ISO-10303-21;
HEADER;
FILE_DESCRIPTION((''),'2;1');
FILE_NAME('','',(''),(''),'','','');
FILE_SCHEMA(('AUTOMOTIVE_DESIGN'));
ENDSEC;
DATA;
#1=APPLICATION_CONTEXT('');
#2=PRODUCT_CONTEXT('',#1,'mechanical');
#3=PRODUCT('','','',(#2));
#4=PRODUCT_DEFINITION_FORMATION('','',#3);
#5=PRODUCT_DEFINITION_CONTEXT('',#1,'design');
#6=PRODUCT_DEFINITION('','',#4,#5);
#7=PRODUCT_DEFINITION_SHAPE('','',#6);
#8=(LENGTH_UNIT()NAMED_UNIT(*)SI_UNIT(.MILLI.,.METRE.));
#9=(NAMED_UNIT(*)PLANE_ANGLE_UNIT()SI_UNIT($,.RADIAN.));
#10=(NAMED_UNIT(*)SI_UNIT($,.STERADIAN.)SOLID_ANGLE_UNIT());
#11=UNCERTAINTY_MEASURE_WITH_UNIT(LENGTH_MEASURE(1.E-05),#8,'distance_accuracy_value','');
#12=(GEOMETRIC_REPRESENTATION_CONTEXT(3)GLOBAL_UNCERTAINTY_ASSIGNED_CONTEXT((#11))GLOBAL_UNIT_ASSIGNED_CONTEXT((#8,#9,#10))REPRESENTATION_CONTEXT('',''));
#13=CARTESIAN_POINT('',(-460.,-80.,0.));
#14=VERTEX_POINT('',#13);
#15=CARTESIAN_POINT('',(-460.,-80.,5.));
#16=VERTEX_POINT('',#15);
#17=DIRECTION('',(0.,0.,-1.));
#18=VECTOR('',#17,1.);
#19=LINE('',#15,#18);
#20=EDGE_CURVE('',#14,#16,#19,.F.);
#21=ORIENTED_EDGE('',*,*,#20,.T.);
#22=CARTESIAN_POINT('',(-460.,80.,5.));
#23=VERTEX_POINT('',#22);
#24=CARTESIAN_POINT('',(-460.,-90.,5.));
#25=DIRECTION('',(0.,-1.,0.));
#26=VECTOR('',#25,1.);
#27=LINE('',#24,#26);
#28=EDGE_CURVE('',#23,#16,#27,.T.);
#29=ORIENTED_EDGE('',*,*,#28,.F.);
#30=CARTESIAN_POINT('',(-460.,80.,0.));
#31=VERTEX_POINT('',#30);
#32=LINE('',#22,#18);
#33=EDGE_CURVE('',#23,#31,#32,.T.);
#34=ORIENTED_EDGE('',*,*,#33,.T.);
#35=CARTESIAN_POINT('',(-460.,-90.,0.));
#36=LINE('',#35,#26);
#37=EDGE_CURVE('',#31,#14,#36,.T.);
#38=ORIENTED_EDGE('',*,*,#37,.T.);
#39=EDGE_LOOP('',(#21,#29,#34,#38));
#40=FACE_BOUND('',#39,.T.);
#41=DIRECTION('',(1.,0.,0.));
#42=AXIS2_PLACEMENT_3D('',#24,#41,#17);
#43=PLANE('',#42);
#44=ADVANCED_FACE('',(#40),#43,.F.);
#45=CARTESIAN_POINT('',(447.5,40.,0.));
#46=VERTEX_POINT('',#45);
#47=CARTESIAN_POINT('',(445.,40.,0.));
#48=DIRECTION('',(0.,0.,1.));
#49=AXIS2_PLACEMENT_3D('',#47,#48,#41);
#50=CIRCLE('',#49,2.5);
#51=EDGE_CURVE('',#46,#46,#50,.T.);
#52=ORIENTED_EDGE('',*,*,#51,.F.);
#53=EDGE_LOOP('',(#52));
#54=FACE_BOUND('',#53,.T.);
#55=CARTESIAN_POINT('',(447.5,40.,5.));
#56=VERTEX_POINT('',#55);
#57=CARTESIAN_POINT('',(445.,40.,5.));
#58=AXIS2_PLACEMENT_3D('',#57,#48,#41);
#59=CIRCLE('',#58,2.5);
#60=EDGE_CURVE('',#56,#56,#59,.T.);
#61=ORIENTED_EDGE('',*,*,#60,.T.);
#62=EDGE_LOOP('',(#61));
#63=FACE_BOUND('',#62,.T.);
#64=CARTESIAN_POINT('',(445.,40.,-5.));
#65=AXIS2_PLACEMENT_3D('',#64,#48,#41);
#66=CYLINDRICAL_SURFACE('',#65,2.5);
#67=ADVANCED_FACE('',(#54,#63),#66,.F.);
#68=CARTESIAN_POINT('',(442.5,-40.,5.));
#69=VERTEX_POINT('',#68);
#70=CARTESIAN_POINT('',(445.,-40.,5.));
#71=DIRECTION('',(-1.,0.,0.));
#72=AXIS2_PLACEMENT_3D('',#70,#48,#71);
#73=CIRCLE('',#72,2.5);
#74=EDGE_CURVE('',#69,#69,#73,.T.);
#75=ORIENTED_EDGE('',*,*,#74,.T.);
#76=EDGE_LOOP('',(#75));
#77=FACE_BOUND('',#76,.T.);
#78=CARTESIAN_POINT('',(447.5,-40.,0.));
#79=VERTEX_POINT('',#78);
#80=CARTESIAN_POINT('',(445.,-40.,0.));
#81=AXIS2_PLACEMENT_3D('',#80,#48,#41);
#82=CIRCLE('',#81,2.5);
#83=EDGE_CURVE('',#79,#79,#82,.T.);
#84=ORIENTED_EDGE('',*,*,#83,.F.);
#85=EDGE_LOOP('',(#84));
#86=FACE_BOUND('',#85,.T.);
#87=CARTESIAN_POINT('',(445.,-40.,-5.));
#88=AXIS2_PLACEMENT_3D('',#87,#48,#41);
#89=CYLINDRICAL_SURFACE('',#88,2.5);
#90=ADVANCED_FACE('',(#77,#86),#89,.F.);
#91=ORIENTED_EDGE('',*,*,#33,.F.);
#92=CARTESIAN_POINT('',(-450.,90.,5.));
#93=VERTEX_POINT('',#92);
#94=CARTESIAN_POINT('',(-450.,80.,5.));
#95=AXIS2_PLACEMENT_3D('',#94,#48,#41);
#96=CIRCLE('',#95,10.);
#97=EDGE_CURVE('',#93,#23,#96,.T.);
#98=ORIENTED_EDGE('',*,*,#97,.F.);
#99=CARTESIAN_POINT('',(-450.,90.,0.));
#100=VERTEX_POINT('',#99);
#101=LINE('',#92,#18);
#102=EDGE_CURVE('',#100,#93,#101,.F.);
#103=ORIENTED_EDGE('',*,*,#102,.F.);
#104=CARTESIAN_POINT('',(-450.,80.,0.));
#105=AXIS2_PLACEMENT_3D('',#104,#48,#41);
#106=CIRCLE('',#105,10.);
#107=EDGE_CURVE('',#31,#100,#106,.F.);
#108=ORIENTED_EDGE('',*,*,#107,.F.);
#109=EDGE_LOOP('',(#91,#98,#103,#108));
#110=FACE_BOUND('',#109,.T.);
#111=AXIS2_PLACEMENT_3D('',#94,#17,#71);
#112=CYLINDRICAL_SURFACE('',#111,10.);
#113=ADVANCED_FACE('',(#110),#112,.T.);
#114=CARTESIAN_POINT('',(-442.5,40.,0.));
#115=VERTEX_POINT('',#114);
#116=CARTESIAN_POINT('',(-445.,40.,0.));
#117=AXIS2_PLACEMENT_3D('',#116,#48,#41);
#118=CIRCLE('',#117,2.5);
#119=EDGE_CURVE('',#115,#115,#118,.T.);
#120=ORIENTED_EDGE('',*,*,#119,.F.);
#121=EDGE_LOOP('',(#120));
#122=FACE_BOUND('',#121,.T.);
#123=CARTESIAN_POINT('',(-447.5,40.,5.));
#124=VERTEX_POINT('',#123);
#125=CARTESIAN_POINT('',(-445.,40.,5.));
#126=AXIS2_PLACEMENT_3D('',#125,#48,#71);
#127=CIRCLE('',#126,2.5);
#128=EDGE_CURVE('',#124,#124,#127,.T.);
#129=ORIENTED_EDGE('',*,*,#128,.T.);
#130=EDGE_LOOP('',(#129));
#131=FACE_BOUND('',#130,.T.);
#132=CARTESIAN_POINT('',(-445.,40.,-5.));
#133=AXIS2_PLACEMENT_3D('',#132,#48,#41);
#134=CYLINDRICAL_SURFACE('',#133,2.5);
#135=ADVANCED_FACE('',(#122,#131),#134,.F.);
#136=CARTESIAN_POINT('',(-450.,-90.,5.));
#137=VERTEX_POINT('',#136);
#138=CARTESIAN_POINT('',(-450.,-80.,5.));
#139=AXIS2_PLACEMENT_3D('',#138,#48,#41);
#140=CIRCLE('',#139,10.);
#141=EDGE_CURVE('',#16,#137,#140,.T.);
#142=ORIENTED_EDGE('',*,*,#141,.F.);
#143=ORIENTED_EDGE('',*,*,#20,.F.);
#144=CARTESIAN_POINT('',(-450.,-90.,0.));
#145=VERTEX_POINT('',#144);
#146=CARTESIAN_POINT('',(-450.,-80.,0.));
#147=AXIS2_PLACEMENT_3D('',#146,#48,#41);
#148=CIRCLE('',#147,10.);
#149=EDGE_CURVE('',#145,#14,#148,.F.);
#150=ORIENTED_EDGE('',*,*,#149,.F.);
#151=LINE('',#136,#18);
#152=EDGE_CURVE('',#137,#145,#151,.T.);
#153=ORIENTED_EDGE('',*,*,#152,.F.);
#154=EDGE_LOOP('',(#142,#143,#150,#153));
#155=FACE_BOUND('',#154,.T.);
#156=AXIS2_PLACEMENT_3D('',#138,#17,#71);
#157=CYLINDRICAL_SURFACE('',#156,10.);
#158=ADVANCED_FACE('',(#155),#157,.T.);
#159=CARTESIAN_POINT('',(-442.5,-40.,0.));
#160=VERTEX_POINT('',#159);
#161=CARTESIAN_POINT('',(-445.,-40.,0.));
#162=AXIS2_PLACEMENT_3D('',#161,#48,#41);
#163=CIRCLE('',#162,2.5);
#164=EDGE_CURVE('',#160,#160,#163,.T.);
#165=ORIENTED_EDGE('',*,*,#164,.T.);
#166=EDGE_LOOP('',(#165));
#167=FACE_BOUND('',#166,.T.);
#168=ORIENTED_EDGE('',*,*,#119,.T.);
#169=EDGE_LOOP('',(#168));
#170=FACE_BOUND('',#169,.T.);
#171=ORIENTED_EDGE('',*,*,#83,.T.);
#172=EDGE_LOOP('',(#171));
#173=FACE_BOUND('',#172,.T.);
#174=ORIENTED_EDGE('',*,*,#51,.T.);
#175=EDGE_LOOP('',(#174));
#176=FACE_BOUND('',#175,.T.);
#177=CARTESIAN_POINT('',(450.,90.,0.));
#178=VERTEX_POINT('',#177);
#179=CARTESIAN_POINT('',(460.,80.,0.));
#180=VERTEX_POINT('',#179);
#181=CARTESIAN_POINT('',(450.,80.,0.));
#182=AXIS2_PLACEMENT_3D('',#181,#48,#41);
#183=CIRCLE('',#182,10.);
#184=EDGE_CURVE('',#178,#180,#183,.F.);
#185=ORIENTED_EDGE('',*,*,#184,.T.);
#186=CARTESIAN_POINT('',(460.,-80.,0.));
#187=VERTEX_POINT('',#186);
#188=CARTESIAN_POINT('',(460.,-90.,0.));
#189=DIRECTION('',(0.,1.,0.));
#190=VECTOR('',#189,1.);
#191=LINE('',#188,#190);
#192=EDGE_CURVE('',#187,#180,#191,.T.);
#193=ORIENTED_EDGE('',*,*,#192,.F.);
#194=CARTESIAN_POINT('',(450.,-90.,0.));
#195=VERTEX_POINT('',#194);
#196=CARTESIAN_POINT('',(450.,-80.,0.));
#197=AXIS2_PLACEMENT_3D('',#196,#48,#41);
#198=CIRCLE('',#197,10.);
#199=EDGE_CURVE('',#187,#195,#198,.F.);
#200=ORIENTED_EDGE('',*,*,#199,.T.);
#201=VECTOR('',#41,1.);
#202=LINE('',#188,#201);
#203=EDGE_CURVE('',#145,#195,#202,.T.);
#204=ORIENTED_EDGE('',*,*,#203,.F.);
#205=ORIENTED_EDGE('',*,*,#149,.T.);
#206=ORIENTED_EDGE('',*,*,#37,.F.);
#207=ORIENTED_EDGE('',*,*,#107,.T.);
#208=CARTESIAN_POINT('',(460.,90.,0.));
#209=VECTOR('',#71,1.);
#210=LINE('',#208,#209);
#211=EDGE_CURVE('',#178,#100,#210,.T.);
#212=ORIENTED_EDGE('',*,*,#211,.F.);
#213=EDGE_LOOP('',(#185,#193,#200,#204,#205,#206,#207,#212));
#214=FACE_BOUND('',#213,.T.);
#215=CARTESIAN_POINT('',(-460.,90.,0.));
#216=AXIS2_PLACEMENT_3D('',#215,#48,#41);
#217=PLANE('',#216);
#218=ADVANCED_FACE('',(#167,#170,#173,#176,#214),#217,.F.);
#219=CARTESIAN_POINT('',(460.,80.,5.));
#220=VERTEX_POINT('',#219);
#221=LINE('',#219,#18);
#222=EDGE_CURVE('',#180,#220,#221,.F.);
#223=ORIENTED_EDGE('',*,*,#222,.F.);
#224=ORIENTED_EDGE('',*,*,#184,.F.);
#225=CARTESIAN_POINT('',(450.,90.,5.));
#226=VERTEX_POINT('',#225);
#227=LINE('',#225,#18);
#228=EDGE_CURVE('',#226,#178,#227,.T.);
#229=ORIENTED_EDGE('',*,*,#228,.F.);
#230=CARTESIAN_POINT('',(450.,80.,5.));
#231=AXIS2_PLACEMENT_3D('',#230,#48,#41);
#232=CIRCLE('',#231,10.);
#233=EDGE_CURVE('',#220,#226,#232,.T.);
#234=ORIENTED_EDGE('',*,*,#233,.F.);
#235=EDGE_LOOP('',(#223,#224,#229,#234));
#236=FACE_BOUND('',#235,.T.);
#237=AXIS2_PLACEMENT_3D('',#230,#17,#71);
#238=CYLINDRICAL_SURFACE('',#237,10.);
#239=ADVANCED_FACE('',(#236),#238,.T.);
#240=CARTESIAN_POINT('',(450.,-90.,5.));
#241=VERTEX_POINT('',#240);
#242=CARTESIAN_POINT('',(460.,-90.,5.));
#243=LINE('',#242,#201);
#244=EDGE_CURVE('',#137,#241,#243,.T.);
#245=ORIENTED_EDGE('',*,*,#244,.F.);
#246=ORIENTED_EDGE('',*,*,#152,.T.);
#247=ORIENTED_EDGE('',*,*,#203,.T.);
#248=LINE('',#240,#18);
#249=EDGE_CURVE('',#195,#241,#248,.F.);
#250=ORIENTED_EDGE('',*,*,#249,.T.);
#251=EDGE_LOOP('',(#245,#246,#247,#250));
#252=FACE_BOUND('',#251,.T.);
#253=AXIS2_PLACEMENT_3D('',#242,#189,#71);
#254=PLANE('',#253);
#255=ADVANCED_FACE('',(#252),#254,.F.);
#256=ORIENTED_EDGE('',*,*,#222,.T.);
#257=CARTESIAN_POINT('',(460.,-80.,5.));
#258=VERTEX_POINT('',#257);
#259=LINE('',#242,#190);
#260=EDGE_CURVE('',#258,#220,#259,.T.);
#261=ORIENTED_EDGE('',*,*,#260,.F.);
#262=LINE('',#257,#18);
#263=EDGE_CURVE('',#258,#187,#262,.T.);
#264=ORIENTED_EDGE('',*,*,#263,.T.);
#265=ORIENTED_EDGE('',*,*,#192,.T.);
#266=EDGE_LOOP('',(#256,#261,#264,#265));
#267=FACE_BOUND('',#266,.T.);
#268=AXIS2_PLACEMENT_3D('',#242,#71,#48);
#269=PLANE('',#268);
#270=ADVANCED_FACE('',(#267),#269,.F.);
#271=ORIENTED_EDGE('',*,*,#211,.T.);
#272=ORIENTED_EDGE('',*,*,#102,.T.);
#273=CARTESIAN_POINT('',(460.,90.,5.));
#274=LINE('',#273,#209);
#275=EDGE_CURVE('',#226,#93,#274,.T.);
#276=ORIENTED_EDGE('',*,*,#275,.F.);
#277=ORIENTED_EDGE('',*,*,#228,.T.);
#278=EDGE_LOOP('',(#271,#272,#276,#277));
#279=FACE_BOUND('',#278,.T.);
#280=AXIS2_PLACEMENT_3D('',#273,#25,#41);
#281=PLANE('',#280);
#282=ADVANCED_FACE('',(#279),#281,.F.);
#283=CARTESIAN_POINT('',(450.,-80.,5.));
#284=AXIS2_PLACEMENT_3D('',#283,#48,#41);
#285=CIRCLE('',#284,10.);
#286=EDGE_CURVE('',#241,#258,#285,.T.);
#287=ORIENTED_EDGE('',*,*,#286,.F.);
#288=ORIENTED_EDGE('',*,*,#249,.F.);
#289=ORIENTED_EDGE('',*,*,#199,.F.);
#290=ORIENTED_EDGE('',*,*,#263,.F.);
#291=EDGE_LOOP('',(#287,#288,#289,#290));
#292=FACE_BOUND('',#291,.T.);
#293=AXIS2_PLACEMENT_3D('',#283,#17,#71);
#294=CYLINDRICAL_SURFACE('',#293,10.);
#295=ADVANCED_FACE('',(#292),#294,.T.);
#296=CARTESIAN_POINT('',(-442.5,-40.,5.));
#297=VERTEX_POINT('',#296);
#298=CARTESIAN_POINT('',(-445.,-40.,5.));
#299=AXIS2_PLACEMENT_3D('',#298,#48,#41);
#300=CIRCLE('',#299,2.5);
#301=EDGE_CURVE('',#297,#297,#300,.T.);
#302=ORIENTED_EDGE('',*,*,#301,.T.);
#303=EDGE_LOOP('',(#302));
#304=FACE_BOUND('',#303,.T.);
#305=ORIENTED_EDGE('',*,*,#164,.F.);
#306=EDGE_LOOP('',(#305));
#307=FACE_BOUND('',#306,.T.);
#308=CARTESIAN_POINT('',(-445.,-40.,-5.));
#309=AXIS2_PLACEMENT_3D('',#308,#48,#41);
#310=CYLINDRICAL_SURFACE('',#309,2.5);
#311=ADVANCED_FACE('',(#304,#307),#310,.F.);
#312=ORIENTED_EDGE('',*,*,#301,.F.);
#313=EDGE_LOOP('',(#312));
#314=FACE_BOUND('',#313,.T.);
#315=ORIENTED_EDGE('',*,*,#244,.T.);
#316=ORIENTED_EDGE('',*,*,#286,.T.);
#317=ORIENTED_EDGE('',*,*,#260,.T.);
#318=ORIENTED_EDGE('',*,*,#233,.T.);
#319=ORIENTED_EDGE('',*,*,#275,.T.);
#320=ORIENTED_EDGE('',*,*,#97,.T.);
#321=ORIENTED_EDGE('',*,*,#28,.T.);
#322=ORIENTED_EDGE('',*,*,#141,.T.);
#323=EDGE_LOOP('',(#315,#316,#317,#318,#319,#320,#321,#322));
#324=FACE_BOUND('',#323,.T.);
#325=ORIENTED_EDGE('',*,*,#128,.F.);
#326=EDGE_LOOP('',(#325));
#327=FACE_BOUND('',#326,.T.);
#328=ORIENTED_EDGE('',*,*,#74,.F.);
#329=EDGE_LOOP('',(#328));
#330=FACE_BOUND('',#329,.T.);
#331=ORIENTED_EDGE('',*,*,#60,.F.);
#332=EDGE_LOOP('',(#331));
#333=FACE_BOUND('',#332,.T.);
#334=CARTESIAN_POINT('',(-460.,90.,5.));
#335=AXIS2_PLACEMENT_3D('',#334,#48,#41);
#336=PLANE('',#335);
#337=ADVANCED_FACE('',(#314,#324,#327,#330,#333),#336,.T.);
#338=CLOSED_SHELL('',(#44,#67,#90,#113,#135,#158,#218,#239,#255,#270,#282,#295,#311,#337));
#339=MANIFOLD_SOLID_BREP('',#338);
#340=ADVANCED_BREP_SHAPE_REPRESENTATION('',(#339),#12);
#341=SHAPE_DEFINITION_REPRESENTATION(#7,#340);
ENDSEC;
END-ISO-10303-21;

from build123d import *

# Parameters (mm, degrees)
CROQUIS1_W     = 920
CROQUIS1_H     = 180
EXTRUIR1_DEPTH = 5
REDONDEO1_R    = 10
CROQUIS2_R     = 2.5
EXTRUIR2_DEPTH = 10


with BuildPart() as part:
    # Croquis1 → Extruir1 (new body)
    with BuildSketch(Plane.XY):
        Rectangle(CROQUIS1_W, CROQUIS1_H)
    extrude(amount=EXTRUIR1_DEPTH)

    # Redondeo1
    redondeo1_edges = [part.edges().sort_by_distance(p)[0] for p in [
        (-460, 90, 2.5),
        (460, 90, 2.5),
        (460, -90, 2.5),
        (-460, -90, 2.5),
    ]]
    fillet(redondeo1_edges, radius=REDONDEO1_R)

    # Croquis2 → Extruir2 (cut)
    with BuildSketch(Plane.XY.offset(5)):
        with Locations((445, 40)):
            Circle(CROQUIS2_R)
        with Locations((445, -40)):
            Circle(CROQUIS2_R)
        with Locations((-445, 40)):
            Circle(CROQUIS2_R)
        with Locations((-445, -40)):
            Circle(CROQUIS2_R)
    extrude(amount=-EXTRUIR2_DEPTH, mode=Mode.SUBTRACT)


solid = part.part
